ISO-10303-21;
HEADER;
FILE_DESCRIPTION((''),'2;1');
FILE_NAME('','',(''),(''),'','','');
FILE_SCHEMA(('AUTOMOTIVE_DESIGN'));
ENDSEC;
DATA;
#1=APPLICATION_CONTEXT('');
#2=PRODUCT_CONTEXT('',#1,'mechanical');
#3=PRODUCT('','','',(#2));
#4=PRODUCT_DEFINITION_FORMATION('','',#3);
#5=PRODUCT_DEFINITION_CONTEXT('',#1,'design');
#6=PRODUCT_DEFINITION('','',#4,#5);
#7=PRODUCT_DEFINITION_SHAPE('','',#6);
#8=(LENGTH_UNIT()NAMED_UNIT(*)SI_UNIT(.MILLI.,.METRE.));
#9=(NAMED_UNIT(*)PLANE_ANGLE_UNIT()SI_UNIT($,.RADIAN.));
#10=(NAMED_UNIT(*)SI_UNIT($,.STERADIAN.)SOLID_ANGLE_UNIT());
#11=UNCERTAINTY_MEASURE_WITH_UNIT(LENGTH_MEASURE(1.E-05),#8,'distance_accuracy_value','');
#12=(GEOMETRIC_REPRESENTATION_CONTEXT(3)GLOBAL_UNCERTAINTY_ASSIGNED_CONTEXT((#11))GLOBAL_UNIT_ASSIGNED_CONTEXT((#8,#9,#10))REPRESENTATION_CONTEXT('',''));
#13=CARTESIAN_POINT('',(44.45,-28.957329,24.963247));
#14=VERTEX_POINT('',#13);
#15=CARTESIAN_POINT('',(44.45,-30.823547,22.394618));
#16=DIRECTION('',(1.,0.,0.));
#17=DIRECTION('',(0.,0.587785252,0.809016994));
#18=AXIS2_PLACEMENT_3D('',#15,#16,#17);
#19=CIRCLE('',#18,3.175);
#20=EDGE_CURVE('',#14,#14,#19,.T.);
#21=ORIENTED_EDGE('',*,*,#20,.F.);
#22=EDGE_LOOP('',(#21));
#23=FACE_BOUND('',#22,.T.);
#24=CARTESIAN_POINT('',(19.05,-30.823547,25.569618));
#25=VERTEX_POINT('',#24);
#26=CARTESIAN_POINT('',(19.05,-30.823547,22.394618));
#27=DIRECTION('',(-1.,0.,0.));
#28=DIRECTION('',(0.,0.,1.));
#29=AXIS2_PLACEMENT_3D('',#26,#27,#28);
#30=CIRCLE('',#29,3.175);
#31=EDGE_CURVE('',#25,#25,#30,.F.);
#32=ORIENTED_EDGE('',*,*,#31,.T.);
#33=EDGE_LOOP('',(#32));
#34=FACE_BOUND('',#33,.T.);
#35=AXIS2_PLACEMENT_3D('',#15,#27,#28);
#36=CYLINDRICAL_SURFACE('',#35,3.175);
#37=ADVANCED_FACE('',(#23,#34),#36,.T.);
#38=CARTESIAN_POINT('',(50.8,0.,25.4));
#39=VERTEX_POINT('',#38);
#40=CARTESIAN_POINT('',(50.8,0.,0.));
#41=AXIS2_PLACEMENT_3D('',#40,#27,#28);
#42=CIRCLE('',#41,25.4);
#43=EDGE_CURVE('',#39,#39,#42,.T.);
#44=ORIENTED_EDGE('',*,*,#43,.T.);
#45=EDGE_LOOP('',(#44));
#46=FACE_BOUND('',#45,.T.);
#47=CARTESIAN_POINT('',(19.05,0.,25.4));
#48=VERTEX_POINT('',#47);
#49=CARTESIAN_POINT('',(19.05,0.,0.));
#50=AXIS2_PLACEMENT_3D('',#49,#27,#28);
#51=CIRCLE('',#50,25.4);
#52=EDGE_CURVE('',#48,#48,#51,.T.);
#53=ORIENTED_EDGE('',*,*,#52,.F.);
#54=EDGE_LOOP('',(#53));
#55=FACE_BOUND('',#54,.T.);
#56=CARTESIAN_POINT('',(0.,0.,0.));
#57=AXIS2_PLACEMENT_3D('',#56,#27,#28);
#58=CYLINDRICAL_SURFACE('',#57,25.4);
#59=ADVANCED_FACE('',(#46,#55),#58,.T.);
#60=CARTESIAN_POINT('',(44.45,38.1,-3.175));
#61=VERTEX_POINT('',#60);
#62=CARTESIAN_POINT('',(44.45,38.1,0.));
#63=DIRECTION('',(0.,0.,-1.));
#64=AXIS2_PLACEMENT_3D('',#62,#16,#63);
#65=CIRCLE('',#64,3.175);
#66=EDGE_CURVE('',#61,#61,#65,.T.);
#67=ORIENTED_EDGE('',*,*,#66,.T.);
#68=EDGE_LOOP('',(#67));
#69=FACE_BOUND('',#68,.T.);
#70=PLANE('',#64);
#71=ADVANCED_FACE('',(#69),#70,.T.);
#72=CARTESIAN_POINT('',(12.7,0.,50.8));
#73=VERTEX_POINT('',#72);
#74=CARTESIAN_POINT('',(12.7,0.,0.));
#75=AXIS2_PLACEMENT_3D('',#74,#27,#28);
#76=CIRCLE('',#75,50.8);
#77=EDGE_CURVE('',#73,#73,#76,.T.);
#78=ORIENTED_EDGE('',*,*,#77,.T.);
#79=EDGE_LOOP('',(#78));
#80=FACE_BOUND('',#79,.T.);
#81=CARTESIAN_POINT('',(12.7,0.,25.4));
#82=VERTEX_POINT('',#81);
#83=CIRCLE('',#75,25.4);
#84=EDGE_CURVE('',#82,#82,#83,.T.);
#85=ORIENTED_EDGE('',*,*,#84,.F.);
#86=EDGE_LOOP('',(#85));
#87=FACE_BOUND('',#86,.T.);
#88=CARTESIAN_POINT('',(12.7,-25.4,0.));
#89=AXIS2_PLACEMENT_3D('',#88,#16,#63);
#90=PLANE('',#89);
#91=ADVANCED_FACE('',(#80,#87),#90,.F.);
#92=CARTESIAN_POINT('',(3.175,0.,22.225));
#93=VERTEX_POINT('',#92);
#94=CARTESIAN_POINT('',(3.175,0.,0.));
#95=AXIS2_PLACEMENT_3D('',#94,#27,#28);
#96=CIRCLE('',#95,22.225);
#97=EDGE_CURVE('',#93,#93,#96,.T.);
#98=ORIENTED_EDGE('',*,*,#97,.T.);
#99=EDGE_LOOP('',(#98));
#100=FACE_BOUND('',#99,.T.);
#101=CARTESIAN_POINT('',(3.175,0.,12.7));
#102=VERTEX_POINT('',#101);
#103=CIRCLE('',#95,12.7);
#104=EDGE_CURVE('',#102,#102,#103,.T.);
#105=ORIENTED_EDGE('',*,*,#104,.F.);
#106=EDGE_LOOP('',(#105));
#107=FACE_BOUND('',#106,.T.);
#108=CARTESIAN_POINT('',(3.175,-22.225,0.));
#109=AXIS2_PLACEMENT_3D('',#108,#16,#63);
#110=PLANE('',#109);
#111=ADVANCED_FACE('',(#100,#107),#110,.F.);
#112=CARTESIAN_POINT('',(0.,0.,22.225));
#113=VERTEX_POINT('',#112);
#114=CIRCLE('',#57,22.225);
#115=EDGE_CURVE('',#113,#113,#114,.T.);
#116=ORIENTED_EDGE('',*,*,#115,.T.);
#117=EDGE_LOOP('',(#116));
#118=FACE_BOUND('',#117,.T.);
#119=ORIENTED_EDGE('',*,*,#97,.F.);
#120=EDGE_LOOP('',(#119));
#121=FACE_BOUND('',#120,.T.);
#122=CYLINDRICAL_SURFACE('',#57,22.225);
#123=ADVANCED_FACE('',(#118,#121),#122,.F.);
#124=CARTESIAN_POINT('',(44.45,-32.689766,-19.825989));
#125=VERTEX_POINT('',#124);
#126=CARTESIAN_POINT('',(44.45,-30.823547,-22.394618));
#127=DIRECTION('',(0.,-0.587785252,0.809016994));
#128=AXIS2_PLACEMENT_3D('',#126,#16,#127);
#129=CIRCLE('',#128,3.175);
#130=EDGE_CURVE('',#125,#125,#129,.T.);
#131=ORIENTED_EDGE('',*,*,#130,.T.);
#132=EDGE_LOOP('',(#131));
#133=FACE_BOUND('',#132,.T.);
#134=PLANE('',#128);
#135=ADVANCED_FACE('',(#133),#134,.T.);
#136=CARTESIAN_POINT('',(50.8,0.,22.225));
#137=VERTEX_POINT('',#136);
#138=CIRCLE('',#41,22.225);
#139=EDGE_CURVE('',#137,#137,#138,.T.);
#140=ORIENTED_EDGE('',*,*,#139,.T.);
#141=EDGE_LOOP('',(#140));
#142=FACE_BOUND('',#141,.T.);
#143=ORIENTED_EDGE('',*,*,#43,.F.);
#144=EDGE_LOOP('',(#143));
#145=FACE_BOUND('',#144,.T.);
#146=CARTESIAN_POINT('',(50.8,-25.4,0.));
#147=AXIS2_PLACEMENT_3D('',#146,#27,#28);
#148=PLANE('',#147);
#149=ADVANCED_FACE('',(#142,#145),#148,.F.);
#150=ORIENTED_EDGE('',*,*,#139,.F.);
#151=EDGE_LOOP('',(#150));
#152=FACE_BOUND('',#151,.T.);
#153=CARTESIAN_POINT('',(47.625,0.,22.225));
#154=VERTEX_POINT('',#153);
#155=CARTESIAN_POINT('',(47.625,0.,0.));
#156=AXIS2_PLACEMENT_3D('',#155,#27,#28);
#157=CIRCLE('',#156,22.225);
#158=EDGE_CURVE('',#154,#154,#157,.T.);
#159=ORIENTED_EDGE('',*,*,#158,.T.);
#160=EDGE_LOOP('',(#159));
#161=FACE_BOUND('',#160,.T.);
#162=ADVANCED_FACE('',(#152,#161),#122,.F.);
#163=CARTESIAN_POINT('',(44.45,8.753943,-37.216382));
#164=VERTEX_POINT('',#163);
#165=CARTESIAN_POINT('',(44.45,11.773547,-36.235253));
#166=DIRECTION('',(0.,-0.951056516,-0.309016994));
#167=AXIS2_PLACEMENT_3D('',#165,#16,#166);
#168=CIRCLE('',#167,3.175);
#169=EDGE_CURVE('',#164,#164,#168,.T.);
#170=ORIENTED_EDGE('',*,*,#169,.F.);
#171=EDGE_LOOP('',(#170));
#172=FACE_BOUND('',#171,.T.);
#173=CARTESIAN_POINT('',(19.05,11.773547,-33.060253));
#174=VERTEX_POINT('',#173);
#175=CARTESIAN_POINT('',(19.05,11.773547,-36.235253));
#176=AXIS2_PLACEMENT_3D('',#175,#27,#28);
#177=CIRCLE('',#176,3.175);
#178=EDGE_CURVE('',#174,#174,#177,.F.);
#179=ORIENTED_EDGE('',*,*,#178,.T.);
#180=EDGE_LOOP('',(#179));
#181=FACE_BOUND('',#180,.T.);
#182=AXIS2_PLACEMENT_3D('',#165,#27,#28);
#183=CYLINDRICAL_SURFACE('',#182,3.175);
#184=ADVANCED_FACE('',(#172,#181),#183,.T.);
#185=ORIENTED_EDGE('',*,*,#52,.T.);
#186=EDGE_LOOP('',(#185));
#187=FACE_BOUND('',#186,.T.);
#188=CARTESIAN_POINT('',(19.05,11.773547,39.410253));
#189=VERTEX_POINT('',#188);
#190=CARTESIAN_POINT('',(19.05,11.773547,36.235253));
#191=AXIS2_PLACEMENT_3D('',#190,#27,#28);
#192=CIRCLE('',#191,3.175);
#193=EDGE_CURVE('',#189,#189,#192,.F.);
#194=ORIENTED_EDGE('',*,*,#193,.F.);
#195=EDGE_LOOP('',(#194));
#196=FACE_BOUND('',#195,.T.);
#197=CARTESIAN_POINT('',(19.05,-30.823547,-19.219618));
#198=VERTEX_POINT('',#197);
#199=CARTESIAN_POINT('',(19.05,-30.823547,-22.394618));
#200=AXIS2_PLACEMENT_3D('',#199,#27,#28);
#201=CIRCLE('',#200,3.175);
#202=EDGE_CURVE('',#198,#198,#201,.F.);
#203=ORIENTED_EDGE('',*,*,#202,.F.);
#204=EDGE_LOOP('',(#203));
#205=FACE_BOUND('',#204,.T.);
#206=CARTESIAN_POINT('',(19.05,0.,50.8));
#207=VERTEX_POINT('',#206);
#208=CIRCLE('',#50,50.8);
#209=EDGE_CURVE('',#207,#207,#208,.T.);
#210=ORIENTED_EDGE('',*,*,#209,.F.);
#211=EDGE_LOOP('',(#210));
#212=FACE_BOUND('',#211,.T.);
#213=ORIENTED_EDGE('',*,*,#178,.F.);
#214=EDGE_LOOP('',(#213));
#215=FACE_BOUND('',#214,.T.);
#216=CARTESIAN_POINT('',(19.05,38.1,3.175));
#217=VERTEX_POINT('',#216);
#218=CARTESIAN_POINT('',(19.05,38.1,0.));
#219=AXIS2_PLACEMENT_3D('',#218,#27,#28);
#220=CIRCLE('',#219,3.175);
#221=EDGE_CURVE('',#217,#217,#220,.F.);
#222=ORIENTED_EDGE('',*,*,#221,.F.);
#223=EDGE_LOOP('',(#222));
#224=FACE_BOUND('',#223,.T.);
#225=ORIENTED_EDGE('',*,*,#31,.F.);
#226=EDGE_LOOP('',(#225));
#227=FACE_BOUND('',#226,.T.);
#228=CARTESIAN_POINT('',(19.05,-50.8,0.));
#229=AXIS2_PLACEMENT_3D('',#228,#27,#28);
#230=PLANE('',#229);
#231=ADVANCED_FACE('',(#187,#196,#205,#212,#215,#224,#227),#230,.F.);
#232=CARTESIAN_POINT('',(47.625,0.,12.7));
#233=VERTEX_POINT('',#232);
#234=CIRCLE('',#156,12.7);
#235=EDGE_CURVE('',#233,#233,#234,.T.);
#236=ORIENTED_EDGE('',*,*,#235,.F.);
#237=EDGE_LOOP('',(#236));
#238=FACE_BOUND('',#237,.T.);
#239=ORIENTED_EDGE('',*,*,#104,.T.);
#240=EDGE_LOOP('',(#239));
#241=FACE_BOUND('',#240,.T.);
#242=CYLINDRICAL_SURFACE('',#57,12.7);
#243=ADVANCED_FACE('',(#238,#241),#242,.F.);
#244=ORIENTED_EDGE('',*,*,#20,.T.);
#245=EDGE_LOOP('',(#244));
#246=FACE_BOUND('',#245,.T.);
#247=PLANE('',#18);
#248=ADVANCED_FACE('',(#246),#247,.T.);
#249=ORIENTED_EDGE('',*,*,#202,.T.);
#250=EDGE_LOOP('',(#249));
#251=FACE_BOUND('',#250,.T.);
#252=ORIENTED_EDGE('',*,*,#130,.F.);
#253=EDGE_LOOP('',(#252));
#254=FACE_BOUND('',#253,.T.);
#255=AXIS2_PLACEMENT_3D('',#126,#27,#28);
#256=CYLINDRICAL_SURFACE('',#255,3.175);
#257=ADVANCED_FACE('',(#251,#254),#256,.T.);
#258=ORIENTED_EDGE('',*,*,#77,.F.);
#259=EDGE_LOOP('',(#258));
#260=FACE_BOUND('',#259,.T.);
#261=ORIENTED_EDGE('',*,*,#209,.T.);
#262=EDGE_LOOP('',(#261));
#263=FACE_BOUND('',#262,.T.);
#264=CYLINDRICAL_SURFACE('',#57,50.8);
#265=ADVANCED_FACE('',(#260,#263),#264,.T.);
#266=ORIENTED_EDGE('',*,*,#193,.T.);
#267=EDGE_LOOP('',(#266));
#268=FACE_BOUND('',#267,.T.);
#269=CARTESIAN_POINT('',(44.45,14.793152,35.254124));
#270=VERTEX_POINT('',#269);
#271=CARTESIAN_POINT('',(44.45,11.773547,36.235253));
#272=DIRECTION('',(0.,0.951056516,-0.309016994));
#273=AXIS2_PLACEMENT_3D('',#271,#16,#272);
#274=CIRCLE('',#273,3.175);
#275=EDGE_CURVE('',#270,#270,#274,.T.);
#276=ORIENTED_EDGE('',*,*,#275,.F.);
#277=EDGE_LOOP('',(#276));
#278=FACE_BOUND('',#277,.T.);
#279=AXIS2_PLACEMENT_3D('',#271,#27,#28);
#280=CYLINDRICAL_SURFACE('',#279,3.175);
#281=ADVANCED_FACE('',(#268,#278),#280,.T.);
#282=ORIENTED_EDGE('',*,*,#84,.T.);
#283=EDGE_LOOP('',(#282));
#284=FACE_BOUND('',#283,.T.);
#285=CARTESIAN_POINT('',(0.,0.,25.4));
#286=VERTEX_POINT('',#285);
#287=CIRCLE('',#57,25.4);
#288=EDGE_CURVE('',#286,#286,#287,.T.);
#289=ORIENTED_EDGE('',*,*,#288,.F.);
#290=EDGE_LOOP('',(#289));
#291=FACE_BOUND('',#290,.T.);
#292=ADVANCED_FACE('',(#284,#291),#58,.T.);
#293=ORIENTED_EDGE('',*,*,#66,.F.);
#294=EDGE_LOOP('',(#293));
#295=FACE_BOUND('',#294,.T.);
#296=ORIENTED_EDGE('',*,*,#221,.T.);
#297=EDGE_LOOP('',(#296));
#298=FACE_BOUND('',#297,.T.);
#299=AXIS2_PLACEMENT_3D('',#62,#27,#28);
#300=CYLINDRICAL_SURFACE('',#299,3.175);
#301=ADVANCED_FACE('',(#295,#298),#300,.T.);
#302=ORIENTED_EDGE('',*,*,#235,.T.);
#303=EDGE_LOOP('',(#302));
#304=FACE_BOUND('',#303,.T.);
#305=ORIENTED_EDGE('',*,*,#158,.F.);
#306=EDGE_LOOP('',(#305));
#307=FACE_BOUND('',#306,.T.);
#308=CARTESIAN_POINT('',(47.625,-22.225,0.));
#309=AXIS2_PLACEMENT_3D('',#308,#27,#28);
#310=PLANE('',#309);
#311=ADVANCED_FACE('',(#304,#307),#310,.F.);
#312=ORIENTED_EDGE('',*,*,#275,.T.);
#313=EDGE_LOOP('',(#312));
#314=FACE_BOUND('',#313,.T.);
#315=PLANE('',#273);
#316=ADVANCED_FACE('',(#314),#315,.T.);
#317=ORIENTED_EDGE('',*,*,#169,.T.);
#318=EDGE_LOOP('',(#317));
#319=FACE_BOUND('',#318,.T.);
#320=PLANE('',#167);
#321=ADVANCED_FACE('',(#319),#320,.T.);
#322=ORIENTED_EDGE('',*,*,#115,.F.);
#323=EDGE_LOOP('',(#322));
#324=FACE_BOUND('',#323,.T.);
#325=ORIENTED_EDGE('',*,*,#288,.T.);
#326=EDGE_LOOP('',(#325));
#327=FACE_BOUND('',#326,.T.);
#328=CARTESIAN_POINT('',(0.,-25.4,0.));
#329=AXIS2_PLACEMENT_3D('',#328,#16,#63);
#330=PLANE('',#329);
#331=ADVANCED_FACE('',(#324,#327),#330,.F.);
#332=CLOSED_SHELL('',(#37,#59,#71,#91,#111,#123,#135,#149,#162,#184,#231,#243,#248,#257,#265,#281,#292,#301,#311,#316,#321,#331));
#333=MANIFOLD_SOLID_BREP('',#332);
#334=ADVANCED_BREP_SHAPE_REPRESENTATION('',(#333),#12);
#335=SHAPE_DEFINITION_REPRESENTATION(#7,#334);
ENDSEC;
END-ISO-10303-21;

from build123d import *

# Parameters (mm, degrees)
SKETCH3_R           = 3.175
BOSS_EXTRUDE1_DEPTH = 25.4
CIRPATTERN3_COUNT   = 5


with BuildPart() as part:
    # Sketch1 → Revolve1 (revolve)
    with BuildSketch(Plane.XY):
        Polygon((0, 25.4), (12.7, 25.4), (12.7, 50.8), (19.05, 50.8), (19.05, 25.4), (50.8, 25.4), (50.8, 22.225), (47.625, 22.225), (47.625, 12.7), (3.175, 12.7), (3.175, 22.225), (0, 22.225), align=None)
    revolve(axis=Axis((0, 0, 0), (1, 0, 0)))

    # Sketch3 → Boss-Extrude1 (add)
    with BuildSketch(Plane(origin=(19.05, 0, 0), x_dir=(0, 0, -1), z_dir=(1, 0, 0))):
        with Locations((0, 38.1)):
            Circle(SKETCH3_R)
    boss_extrude1 = extrude(amount=BOSS_EXTRUDE1_DEPTH)

    # CirPattern3: Boss-Extrude1 ×5 about axis
    cirpattern3_axis = Axis((53.34, 0, 0), (-1, 0, 0))
    for i in range(1, CIRPATTERN3_COUNT):
        add(boss_extrude1.rotate(cirpattern3_axis, i * 360 / CIRPATTERN3_COUNT))


solid = part.part
